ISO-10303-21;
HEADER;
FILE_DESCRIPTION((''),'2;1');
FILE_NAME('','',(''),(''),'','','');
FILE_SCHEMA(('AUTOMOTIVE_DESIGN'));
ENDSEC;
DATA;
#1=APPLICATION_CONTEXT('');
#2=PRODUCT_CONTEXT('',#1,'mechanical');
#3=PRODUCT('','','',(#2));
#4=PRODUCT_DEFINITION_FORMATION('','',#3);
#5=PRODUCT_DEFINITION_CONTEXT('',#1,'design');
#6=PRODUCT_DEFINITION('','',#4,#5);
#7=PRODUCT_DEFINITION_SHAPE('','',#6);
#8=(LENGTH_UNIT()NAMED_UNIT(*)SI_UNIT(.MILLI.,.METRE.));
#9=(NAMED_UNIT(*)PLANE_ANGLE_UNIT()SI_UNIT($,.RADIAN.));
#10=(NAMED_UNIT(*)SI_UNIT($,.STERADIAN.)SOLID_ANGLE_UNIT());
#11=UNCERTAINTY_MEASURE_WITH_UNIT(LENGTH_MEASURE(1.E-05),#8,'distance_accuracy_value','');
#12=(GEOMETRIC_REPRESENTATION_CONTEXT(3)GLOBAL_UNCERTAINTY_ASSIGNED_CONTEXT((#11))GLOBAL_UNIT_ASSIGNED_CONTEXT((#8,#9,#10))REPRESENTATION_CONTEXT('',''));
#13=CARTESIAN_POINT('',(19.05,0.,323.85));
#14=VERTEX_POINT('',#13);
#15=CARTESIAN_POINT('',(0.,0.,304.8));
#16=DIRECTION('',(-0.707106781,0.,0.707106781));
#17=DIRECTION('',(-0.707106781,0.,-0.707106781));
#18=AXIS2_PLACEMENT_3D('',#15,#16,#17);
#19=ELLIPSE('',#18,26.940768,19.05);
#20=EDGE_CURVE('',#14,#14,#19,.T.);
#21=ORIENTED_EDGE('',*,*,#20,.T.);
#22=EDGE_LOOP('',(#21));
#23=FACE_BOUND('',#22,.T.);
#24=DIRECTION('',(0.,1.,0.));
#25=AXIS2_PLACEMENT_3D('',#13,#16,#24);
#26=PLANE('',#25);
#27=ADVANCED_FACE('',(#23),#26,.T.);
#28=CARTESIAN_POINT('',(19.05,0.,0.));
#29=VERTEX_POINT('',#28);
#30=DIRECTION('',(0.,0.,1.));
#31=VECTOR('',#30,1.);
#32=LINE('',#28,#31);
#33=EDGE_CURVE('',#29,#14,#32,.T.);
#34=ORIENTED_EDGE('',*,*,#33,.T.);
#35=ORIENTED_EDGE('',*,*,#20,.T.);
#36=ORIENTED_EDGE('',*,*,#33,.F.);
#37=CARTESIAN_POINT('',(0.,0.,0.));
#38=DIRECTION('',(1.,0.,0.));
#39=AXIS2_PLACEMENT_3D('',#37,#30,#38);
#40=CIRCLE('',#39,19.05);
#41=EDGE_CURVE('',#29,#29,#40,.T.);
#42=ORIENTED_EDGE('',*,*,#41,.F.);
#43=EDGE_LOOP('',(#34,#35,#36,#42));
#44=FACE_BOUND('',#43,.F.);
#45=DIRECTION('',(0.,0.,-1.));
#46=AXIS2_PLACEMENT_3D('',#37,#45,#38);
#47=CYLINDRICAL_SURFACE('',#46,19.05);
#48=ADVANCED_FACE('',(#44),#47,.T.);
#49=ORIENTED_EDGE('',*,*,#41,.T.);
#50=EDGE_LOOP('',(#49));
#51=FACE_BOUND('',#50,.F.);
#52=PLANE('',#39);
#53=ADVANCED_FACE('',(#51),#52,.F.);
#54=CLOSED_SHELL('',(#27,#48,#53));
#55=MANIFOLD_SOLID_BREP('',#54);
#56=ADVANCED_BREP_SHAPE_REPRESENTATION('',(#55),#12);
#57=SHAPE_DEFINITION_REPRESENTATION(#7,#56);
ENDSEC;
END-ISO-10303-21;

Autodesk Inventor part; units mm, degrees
ref_plane "Start plane" through (0, 0, 0) normal (0, 0, 1) x (1, 0, 0)
ref_plane "End plane" through (0, 0, 323.85) normal (0, 0, 1) x (1, 0, 0)
sketch "Sketch" plane through (0, 0, 0) normal (0, 0, 1) x (1, 0, 0)
  circle A0 centre (0, 0) radius 19.05
  dimension "d0" = 38.1
extrude "Body" add sketch "Sketch" along normal up to surface (323.85 mm away) from surface at 0
sketch "Sketch2" plane through (0, 0, 0) normal (0, 0, 1) x (1, 0, 0)
  line L0 (0, 0) -> (10, 0)
ref_plane "Work Plane3" through (0, 0, 0) normal (0, -1, 0) x (1, 0, 0)
sketch "Sketch3" plane through (0, 0, 0) normal (0, -1, 0) x (1, 0, 0)
  line L0 (-2, 0) -> (12, 0)
  line L1 (-2, 323.85) -> (12, 323.85)
  dimension "d7" = 323.85
ref_plane "Work Plane4" through (19.05, 0, 323.85) normal (-0.7071, 0, 0.7071) x (0.7071, 0, 0.7071)
split "Split1" plane through (19.05, 0, 323.85) removes the side toward (-0.7071, 0, 0.7071)
equation "\"d0\" = Diam"
equation "\"d1\" = G_L"
equation "\"Diam\" = 38.1"
equation "\"G_L\" = d7"
equation "\"G_OFFSET_START\" = 0"
equation "\"G_OFFSET_END\" = 19.05"
equation "\"d5\" = G_OFFSET_END + B_L"
equation "\"B_L\" = 304.8"
properties part number "ANSI/AISC Rolled Steel - 1 1/2-12.75" material "Steel, Mild"
